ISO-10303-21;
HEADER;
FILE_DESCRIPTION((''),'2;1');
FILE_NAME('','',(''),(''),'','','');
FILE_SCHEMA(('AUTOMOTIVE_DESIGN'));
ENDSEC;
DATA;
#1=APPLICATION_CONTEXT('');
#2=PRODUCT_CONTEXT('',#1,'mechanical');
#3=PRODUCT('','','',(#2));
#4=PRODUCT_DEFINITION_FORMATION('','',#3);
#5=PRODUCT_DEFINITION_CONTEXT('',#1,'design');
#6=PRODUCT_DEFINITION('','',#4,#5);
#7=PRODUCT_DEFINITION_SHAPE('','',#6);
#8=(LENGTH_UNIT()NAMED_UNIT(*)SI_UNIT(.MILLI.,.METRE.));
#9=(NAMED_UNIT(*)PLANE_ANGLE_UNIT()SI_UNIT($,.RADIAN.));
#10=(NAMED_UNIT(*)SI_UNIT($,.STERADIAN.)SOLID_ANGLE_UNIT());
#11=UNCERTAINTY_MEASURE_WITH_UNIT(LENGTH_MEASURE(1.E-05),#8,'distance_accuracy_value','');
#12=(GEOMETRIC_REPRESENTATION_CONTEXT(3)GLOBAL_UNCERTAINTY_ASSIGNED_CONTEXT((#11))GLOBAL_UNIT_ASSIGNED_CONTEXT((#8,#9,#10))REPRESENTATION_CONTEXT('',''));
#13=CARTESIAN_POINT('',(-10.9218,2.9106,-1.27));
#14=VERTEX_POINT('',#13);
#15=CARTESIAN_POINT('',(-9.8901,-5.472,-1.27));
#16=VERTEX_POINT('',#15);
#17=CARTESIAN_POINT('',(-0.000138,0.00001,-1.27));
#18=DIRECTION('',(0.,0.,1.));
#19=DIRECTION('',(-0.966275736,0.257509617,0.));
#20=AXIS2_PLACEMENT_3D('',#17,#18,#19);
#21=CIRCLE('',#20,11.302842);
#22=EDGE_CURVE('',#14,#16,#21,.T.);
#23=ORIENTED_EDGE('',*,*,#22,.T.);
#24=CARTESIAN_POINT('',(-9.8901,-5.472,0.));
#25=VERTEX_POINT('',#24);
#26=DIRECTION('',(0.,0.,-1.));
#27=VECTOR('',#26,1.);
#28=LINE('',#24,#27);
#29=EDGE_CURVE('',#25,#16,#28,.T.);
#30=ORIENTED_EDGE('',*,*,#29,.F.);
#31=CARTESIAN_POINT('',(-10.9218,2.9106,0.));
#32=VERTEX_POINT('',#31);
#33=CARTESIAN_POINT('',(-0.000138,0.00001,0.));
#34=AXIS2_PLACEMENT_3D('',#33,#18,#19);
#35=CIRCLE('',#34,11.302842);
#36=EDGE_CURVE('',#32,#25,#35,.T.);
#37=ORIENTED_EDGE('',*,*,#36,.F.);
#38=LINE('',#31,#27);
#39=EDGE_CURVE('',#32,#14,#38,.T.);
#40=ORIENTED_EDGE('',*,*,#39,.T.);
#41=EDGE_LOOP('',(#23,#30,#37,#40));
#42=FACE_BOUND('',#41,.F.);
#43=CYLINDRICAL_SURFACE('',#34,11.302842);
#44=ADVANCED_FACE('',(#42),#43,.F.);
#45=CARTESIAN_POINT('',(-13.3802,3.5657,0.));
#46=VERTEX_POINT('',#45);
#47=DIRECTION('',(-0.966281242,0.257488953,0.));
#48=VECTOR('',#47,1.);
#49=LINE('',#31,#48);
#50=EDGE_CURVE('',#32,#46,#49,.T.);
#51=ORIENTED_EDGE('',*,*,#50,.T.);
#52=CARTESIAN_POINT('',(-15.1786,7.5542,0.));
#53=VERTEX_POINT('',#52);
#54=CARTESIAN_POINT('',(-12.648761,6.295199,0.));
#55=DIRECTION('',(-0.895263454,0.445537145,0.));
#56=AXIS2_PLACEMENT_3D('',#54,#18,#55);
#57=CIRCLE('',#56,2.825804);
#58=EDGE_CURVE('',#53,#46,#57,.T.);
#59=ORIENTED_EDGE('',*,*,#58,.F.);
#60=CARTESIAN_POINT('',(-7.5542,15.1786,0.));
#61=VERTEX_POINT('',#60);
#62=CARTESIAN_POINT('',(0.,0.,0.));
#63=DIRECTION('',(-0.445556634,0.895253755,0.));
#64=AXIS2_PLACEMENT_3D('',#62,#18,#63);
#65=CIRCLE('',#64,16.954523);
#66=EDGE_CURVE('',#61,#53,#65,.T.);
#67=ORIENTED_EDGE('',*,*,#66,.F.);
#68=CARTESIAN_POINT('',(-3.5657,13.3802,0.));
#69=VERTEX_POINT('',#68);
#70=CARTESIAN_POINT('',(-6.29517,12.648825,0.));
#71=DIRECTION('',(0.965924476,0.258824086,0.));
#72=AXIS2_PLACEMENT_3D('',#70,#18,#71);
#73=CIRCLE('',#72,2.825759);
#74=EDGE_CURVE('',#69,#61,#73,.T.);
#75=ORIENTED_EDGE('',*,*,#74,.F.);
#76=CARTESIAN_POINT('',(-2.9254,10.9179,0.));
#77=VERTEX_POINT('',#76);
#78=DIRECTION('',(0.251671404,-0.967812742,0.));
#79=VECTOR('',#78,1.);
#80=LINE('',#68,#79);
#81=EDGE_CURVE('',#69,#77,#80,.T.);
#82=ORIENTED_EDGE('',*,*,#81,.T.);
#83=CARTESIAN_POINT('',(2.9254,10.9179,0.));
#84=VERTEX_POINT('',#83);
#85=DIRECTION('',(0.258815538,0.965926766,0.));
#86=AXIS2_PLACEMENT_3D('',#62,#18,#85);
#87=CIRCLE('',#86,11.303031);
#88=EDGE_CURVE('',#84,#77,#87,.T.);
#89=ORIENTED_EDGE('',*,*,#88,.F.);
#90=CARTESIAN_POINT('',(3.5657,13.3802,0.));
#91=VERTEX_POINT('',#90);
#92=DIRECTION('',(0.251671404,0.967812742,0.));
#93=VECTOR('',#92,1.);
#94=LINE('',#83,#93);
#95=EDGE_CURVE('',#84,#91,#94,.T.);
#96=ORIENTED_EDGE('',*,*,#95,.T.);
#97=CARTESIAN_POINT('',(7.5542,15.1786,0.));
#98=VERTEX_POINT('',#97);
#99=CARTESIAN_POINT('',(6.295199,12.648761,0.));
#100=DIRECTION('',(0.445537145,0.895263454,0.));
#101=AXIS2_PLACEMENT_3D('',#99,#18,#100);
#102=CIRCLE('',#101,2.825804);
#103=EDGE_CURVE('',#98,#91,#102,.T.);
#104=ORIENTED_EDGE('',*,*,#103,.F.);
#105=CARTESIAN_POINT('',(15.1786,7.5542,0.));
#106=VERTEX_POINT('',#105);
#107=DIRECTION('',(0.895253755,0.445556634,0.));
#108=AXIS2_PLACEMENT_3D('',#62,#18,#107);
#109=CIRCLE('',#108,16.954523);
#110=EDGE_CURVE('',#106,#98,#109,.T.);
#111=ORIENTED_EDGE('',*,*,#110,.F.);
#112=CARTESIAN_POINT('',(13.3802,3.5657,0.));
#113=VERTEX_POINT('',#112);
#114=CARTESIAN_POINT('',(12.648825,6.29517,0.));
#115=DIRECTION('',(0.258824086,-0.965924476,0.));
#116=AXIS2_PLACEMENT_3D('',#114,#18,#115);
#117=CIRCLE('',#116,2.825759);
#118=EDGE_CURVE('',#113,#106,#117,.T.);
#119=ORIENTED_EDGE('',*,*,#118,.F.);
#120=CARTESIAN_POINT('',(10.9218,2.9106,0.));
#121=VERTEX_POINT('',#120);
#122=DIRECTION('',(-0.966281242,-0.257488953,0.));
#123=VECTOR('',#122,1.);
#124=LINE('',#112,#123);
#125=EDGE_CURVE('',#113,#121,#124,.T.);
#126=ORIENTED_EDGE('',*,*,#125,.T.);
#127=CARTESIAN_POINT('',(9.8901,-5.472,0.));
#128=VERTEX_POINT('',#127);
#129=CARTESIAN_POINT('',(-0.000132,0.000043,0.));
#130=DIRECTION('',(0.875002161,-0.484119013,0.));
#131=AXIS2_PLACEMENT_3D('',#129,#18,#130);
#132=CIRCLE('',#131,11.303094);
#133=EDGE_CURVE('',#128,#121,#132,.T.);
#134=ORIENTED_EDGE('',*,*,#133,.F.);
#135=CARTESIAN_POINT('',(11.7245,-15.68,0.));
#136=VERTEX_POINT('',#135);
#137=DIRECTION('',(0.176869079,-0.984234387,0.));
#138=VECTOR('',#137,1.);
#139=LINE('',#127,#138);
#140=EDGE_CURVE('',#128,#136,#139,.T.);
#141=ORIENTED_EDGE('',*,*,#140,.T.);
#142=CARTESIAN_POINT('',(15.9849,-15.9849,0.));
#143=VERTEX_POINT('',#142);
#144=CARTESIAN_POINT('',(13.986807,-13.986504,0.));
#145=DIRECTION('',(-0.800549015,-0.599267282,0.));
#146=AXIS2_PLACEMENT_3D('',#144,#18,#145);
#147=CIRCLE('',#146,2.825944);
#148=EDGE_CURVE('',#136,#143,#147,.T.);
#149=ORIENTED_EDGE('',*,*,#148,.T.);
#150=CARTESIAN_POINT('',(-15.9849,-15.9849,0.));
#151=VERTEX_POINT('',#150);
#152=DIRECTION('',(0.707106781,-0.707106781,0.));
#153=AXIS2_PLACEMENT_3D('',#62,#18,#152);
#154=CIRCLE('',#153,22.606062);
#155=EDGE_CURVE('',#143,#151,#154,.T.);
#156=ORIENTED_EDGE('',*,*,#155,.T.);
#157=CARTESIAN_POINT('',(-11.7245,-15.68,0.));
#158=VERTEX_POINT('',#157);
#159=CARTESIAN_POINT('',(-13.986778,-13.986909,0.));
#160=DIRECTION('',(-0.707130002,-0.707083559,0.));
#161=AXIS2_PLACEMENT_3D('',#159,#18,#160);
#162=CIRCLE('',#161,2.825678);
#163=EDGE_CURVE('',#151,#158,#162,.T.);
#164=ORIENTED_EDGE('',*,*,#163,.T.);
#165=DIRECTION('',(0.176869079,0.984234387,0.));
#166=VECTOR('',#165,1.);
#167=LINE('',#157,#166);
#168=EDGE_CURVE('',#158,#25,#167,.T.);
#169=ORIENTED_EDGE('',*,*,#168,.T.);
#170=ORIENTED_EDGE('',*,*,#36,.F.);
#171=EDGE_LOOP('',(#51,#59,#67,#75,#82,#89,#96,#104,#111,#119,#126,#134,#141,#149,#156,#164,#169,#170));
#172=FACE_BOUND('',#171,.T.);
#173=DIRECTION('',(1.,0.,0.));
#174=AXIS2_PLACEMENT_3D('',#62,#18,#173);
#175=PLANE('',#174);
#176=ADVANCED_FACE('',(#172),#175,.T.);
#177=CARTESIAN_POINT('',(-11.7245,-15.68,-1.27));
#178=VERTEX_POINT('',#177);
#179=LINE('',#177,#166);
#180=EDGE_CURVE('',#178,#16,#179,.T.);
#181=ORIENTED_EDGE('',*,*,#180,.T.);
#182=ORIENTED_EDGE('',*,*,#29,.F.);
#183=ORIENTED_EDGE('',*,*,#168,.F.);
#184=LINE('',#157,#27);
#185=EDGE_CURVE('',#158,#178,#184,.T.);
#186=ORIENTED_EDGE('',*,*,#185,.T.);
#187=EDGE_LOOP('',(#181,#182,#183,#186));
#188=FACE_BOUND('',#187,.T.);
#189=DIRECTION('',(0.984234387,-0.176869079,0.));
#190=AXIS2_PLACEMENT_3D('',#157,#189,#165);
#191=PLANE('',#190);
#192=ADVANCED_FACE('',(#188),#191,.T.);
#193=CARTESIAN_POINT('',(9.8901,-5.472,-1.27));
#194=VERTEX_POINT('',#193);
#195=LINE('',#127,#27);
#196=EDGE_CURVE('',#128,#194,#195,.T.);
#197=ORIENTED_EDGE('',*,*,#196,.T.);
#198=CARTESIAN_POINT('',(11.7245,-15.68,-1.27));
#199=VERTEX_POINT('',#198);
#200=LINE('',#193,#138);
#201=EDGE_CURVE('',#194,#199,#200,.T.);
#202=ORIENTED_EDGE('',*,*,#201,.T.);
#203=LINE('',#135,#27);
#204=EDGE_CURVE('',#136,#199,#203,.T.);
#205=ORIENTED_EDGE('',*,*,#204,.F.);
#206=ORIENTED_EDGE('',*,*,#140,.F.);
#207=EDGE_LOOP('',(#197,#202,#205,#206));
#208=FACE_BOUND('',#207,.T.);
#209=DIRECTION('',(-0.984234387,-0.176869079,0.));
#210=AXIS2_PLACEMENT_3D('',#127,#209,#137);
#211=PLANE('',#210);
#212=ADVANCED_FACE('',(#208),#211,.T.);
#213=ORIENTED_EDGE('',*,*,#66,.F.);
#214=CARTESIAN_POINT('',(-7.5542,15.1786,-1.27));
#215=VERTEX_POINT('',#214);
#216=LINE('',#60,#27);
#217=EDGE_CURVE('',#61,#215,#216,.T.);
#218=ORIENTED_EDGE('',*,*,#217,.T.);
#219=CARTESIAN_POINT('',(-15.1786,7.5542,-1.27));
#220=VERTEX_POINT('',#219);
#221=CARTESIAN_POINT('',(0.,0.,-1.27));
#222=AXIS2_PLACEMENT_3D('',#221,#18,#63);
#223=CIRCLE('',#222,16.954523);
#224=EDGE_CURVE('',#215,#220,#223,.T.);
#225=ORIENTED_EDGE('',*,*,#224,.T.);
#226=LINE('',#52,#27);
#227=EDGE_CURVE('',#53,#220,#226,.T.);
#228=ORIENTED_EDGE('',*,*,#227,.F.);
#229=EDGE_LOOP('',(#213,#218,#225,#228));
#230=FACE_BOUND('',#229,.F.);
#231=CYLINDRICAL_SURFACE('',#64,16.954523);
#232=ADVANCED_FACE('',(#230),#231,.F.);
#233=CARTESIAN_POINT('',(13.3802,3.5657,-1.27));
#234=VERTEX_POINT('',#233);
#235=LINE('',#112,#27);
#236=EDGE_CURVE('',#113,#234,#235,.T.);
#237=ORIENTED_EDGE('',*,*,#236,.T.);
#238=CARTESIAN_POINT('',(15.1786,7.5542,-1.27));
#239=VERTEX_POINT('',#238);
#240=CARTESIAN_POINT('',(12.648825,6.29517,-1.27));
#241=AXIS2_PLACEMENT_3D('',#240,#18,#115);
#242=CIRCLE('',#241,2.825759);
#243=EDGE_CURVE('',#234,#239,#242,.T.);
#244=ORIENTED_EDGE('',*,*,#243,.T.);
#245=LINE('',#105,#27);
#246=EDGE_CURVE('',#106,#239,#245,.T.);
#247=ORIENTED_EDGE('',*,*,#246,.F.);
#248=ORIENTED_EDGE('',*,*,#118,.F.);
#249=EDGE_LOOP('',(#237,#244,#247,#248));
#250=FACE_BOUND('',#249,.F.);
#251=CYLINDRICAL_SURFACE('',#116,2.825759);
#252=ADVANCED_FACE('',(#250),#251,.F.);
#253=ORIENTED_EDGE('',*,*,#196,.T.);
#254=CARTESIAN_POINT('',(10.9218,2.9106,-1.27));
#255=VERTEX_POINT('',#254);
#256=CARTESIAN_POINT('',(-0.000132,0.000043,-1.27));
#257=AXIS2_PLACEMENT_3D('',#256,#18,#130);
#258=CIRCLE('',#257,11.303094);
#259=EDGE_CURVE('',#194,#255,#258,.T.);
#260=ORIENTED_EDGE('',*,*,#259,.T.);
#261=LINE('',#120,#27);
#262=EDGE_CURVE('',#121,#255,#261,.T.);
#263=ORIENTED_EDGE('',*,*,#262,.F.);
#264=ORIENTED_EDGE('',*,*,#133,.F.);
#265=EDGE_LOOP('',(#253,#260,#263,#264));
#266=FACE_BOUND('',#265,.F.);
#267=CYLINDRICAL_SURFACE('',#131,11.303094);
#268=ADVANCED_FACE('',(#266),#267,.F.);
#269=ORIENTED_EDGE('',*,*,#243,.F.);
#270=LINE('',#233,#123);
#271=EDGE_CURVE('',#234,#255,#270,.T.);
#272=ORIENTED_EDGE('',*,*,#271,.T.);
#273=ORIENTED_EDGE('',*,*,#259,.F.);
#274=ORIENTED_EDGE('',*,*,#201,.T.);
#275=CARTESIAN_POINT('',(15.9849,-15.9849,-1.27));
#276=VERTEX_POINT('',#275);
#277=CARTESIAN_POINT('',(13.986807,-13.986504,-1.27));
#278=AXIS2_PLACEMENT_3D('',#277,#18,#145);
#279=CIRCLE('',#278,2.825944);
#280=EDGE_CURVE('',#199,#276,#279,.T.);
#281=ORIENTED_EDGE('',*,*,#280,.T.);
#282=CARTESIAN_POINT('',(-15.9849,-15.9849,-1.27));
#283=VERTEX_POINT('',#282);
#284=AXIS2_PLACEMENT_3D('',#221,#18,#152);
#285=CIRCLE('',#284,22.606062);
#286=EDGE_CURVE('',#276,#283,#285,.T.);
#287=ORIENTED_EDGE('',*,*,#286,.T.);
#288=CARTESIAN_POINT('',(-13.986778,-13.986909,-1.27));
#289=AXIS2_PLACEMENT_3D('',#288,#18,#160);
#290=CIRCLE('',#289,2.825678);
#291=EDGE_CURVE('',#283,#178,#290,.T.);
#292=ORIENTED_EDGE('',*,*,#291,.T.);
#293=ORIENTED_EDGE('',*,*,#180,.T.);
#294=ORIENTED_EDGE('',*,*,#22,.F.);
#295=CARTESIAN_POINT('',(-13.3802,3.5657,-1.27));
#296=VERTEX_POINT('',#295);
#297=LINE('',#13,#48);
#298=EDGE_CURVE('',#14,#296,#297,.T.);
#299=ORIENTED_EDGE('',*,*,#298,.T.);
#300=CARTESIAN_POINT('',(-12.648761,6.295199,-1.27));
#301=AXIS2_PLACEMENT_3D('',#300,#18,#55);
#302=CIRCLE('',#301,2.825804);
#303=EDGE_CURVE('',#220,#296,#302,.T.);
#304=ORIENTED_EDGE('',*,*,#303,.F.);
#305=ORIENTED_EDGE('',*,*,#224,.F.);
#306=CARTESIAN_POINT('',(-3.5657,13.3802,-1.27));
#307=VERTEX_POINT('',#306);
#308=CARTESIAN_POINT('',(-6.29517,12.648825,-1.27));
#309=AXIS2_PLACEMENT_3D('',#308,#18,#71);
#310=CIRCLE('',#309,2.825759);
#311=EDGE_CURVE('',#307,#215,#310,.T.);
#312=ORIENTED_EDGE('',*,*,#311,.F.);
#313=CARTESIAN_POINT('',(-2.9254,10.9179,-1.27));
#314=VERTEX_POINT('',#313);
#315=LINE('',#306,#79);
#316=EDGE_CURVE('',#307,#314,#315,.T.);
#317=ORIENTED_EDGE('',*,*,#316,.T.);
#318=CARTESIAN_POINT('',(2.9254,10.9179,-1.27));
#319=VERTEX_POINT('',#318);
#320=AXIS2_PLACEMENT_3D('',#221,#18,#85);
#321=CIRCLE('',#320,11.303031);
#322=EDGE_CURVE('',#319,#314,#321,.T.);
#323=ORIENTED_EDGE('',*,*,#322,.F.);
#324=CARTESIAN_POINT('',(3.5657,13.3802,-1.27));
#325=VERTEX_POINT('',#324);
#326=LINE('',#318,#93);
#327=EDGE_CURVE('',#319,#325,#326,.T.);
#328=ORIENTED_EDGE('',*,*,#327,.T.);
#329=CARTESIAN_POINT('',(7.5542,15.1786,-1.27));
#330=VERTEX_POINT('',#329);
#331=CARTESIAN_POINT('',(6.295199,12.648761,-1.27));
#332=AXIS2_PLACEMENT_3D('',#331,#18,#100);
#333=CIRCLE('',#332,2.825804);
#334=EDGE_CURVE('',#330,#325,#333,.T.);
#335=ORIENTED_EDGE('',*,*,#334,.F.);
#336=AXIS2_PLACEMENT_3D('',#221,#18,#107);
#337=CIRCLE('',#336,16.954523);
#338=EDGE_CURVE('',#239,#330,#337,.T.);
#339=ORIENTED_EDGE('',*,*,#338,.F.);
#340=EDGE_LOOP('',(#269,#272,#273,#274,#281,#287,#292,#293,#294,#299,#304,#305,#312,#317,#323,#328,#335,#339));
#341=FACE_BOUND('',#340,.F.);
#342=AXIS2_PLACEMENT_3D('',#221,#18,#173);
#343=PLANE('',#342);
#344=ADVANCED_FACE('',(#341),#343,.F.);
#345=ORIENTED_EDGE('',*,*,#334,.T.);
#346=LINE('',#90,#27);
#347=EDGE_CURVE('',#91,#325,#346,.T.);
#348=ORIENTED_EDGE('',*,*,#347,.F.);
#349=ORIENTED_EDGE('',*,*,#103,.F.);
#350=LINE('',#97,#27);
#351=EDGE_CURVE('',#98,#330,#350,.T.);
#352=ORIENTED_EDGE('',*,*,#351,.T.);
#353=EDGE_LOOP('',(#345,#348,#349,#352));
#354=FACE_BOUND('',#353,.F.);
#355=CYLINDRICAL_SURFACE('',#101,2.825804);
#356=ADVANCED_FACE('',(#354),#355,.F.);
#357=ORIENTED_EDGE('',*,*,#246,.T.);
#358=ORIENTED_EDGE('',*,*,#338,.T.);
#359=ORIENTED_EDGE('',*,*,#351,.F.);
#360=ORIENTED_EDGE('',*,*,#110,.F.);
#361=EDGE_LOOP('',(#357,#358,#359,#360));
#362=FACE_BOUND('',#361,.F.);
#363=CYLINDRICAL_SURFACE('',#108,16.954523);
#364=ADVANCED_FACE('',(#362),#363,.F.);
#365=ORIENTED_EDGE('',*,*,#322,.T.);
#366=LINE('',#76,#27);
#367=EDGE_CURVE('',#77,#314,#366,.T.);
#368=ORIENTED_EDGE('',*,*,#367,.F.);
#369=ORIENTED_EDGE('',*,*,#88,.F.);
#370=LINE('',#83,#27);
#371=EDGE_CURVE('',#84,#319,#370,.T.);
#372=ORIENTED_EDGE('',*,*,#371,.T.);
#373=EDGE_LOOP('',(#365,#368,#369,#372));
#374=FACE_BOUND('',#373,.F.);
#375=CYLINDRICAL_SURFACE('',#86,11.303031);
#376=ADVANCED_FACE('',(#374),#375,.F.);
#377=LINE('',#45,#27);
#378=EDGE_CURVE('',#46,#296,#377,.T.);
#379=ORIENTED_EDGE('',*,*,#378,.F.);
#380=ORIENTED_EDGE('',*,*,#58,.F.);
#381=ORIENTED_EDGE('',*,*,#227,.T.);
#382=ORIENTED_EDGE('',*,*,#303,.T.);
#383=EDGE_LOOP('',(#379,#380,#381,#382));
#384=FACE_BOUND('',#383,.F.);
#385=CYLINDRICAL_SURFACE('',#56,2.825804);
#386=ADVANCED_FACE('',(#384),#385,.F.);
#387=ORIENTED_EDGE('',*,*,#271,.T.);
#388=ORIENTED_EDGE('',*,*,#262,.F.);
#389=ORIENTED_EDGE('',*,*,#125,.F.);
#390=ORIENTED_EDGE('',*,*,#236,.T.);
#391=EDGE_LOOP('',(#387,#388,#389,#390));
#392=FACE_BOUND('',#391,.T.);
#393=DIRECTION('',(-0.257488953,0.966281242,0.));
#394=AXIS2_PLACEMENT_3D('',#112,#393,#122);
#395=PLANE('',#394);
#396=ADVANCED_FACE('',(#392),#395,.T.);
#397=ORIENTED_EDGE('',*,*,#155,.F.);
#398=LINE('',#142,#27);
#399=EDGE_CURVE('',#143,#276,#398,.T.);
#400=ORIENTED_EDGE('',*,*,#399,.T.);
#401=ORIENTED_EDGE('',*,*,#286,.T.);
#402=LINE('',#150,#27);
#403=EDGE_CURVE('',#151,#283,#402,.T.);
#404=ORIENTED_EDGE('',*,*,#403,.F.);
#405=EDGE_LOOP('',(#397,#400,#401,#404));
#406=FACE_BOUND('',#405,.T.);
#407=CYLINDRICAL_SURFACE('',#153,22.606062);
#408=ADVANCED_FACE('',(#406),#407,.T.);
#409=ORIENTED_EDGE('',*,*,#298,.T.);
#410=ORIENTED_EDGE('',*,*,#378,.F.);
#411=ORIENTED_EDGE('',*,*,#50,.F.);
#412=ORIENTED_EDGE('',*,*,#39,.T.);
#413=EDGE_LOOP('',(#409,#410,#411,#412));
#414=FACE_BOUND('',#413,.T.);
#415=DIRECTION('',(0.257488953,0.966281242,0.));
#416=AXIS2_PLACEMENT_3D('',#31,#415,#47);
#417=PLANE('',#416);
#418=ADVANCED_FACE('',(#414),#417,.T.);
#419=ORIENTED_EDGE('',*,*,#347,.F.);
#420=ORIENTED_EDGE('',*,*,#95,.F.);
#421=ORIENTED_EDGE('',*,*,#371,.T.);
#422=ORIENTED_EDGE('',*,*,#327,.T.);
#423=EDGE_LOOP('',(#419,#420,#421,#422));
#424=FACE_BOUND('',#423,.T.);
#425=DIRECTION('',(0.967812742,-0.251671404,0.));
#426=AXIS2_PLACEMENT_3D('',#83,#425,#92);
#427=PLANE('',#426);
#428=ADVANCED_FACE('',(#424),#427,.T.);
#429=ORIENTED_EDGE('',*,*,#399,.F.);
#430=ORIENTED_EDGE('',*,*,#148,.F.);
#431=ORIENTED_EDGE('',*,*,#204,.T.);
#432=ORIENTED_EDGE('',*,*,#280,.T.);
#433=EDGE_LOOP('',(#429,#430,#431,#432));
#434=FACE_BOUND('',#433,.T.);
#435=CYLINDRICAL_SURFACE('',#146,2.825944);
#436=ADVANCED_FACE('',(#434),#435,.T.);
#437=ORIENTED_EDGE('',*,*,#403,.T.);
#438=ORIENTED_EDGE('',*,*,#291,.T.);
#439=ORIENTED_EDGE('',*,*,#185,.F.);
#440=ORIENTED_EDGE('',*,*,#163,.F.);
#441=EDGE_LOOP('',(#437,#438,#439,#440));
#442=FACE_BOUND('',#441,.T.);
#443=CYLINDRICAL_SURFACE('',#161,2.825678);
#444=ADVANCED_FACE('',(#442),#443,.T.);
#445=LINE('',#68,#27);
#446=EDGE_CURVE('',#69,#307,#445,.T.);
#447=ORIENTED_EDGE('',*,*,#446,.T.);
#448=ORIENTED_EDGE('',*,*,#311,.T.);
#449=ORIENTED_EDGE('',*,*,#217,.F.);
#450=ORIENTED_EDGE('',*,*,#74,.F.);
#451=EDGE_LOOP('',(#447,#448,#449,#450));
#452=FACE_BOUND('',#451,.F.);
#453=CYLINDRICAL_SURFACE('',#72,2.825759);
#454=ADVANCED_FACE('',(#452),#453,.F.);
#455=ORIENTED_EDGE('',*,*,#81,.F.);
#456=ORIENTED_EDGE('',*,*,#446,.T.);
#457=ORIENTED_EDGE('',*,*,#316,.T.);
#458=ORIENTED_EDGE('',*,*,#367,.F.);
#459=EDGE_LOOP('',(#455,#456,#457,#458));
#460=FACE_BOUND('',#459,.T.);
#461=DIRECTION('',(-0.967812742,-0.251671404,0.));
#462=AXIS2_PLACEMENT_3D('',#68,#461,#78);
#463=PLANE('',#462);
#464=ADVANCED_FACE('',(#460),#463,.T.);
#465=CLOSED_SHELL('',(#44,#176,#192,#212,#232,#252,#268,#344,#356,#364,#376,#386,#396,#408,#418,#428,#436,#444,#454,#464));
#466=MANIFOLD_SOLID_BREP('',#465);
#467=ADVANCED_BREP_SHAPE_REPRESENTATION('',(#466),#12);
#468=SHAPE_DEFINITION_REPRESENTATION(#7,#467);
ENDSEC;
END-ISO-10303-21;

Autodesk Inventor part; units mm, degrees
ref_plane "YZ Plane" through (0, 0, 0) normal (1, 0, 0) x (0, 1, 0)
ref_plane "XZ Plane" through (0, 0, 0) normal (0, 1, 0) x (-1, 0, 0)
ref_plane "XY Plane" through (0, 0, 0) normal (0, 0, 1) x (1, 0, 0)
sketch "Sketch1" plane through (0, 0, 0) normal (0, 0, 1) x (1, 0, 0)
  arc A0 (11.7245, -15.68) -> (15.9849, -15.9849) centre (13.9867, -13.9867) ccw
  arc A1 (15.9849, -15.9849) -> (-15.9849, -15.9849) centre (0, 0) ccw
  arc A2 (-15.9849, -15.9849) -> (-11.7245, -15.68) centre (-13.9867, -13.9867) ccw
  line L0 (-11.7245, -15.68) -> (-9.8901, -5.472)
  arc A3 (-10.9218, 2.9106) -> (-9.8901, -5.472) centre (0, 0) ccw
  line L1 (-10.9218, 2.9106) -> (-13.3802, 3.5657)
  arc A4 (-15.1786, 7.5542) -> (-13.3802, 3.5657) centre (-12.6488, 6.2952) ccw
  arc A5 (-7.5542, 15.1786) -> (-15.1786, 7.5542) centre (0, 0) ccw
  arc A6 (-3.5657, 13.3802) -> (-7.5542, 15.1786) centre (-6.2952, 12.6488) ccw
  line L2 (-3.5657, 13.3802) -> (-2.9254, 10.9179)
  arc A7 (2.9254, 10.9179) -> (-2.9254, 10.9179) centre (0, 0) ccw
  line L3 (2.9254, 10.9179) -> (3.5657, 13.3802)
  arc A8 (7.5542, 15.1786) -> (3.5657, 13.3802) centre (6.2952, 12.6488) ccw
  arc A9 (15.1786, 7.5542) -> (7.5542, 15.1786) centre (0, 0) ccw
  arc A10 (13.3802, 3.5657) -> (15.1786, 7.5542) centre (12.6488, 6.2952) ccw
  line L4 (13.3802, 3.5657) -> (10.9218, 2.9106)
  arc A11 (9.8901, -5.472) -> (10.9218, 2.9106) centre (0, 0) ccw
  line L5 (9.8901, -5.472) -> (11.7245, -15.68)
  dimension "d0" = 22.606
  dimension "d2" = 11.303
extrude "Extrusion1" add sketch "Sketch1" against normal blind 1.27
properties part number "am-0206" material "Steel"
